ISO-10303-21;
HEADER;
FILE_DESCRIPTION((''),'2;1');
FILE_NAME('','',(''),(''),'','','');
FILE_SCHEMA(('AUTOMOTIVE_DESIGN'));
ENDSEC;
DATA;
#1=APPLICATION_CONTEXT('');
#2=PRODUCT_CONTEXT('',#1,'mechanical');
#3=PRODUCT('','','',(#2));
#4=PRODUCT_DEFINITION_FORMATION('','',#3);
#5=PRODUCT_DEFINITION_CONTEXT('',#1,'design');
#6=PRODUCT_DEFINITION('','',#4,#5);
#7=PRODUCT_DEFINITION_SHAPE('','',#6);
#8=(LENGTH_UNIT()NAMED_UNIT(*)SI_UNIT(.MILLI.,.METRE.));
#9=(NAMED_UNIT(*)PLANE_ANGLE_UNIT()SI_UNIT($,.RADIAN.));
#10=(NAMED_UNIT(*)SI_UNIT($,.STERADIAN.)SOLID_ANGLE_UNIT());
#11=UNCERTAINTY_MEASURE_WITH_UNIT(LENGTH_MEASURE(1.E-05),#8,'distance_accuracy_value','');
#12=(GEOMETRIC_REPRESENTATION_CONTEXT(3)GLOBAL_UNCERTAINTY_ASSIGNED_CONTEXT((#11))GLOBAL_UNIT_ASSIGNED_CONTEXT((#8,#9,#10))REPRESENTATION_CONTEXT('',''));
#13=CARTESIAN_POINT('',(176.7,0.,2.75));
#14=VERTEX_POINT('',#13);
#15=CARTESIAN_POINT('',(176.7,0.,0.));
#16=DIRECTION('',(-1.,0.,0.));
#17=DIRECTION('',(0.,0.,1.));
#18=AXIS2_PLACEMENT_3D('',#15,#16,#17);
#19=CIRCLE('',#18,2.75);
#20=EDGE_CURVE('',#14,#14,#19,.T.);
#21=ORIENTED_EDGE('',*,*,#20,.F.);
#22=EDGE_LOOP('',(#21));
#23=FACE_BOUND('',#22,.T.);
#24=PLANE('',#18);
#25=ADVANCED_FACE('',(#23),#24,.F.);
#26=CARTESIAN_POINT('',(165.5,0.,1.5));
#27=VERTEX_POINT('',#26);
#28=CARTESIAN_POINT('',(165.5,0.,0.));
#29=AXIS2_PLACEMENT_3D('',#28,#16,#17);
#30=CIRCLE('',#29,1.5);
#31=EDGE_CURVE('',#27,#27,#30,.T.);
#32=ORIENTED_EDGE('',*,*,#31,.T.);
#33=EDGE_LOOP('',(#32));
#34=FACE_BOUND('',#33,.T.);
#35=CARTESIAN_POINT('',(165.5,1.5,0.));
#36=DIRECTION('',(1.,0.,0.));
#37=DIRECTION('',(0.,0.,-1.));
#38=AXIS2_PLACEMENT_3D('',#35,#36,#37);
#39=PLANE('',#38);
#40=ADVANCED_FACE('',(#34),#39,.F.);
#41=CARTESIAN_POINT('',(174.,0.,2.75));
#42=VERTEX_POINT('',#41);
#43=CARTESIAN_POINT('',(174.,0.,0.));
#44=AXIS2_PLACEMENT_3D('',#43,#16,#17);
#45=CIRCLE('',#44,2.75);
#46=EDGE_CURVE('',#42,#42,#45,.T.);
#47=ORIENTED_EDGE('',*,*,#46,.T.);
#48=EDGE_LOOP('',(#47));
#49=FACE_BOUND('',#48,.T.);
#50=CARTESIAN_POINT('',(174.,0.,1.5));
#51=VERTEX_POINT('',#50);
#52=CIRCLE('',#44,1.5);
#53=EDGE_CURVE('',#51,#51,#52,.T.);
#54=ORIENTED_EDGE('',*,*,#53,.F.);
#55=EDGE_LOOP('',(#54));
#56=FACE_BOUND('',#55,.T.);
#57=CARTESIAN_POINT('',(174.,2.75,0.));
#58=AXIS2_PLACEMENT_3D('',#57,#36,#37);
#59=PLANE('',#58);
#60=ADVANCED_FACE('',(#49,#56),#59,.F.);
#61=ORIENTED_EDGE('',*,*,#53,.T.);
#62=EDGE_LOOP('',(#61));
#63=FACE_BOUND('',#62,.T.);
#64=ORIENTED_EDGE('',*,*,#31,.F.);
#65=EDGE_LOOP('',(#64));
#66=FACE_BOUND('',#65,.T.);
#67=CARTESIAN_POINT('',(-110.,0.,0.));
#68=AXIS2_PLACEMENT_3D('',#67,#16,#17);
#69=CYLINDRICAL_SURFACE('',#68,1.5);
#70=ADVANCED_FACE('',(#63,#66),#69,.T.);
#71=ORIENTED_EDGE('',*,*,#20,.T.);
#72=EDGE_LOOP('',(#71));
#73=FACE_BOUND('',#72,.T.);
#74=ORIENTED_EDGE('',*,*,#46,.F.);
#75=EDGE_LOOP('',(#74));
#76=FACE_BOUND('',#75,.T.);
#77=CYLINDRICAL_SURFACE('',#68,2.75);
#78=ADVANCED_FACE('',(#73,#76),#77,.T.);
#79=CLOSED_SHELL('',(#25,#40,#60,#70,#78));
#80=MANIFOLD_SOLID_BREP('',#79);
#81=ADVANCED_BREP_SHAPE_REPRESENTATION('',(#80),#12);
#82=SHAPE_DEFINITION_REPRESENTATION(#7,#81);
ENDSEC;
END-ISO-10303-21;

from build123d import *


with BuildPart() as part:
    # Axial profile (mm) → Full revolution (revolve)
    with BuildSketch(Plane.XY, mode=Mode.PRIVATE) as full_revolution_sk:
        Polygon((165.5, 0), (176.7, 0), (176.7, 2.75), (174, 2.75), (174, 1.5), (165.5, 1.5), align=None)
    revolve(full_revolution_sk.sketch.rotate(Axis((-110, 0, 0), (1, 0, 0)), 90), axis=Axis((-110, 0, 0), (1, 0, 0)))


solid = part.part
